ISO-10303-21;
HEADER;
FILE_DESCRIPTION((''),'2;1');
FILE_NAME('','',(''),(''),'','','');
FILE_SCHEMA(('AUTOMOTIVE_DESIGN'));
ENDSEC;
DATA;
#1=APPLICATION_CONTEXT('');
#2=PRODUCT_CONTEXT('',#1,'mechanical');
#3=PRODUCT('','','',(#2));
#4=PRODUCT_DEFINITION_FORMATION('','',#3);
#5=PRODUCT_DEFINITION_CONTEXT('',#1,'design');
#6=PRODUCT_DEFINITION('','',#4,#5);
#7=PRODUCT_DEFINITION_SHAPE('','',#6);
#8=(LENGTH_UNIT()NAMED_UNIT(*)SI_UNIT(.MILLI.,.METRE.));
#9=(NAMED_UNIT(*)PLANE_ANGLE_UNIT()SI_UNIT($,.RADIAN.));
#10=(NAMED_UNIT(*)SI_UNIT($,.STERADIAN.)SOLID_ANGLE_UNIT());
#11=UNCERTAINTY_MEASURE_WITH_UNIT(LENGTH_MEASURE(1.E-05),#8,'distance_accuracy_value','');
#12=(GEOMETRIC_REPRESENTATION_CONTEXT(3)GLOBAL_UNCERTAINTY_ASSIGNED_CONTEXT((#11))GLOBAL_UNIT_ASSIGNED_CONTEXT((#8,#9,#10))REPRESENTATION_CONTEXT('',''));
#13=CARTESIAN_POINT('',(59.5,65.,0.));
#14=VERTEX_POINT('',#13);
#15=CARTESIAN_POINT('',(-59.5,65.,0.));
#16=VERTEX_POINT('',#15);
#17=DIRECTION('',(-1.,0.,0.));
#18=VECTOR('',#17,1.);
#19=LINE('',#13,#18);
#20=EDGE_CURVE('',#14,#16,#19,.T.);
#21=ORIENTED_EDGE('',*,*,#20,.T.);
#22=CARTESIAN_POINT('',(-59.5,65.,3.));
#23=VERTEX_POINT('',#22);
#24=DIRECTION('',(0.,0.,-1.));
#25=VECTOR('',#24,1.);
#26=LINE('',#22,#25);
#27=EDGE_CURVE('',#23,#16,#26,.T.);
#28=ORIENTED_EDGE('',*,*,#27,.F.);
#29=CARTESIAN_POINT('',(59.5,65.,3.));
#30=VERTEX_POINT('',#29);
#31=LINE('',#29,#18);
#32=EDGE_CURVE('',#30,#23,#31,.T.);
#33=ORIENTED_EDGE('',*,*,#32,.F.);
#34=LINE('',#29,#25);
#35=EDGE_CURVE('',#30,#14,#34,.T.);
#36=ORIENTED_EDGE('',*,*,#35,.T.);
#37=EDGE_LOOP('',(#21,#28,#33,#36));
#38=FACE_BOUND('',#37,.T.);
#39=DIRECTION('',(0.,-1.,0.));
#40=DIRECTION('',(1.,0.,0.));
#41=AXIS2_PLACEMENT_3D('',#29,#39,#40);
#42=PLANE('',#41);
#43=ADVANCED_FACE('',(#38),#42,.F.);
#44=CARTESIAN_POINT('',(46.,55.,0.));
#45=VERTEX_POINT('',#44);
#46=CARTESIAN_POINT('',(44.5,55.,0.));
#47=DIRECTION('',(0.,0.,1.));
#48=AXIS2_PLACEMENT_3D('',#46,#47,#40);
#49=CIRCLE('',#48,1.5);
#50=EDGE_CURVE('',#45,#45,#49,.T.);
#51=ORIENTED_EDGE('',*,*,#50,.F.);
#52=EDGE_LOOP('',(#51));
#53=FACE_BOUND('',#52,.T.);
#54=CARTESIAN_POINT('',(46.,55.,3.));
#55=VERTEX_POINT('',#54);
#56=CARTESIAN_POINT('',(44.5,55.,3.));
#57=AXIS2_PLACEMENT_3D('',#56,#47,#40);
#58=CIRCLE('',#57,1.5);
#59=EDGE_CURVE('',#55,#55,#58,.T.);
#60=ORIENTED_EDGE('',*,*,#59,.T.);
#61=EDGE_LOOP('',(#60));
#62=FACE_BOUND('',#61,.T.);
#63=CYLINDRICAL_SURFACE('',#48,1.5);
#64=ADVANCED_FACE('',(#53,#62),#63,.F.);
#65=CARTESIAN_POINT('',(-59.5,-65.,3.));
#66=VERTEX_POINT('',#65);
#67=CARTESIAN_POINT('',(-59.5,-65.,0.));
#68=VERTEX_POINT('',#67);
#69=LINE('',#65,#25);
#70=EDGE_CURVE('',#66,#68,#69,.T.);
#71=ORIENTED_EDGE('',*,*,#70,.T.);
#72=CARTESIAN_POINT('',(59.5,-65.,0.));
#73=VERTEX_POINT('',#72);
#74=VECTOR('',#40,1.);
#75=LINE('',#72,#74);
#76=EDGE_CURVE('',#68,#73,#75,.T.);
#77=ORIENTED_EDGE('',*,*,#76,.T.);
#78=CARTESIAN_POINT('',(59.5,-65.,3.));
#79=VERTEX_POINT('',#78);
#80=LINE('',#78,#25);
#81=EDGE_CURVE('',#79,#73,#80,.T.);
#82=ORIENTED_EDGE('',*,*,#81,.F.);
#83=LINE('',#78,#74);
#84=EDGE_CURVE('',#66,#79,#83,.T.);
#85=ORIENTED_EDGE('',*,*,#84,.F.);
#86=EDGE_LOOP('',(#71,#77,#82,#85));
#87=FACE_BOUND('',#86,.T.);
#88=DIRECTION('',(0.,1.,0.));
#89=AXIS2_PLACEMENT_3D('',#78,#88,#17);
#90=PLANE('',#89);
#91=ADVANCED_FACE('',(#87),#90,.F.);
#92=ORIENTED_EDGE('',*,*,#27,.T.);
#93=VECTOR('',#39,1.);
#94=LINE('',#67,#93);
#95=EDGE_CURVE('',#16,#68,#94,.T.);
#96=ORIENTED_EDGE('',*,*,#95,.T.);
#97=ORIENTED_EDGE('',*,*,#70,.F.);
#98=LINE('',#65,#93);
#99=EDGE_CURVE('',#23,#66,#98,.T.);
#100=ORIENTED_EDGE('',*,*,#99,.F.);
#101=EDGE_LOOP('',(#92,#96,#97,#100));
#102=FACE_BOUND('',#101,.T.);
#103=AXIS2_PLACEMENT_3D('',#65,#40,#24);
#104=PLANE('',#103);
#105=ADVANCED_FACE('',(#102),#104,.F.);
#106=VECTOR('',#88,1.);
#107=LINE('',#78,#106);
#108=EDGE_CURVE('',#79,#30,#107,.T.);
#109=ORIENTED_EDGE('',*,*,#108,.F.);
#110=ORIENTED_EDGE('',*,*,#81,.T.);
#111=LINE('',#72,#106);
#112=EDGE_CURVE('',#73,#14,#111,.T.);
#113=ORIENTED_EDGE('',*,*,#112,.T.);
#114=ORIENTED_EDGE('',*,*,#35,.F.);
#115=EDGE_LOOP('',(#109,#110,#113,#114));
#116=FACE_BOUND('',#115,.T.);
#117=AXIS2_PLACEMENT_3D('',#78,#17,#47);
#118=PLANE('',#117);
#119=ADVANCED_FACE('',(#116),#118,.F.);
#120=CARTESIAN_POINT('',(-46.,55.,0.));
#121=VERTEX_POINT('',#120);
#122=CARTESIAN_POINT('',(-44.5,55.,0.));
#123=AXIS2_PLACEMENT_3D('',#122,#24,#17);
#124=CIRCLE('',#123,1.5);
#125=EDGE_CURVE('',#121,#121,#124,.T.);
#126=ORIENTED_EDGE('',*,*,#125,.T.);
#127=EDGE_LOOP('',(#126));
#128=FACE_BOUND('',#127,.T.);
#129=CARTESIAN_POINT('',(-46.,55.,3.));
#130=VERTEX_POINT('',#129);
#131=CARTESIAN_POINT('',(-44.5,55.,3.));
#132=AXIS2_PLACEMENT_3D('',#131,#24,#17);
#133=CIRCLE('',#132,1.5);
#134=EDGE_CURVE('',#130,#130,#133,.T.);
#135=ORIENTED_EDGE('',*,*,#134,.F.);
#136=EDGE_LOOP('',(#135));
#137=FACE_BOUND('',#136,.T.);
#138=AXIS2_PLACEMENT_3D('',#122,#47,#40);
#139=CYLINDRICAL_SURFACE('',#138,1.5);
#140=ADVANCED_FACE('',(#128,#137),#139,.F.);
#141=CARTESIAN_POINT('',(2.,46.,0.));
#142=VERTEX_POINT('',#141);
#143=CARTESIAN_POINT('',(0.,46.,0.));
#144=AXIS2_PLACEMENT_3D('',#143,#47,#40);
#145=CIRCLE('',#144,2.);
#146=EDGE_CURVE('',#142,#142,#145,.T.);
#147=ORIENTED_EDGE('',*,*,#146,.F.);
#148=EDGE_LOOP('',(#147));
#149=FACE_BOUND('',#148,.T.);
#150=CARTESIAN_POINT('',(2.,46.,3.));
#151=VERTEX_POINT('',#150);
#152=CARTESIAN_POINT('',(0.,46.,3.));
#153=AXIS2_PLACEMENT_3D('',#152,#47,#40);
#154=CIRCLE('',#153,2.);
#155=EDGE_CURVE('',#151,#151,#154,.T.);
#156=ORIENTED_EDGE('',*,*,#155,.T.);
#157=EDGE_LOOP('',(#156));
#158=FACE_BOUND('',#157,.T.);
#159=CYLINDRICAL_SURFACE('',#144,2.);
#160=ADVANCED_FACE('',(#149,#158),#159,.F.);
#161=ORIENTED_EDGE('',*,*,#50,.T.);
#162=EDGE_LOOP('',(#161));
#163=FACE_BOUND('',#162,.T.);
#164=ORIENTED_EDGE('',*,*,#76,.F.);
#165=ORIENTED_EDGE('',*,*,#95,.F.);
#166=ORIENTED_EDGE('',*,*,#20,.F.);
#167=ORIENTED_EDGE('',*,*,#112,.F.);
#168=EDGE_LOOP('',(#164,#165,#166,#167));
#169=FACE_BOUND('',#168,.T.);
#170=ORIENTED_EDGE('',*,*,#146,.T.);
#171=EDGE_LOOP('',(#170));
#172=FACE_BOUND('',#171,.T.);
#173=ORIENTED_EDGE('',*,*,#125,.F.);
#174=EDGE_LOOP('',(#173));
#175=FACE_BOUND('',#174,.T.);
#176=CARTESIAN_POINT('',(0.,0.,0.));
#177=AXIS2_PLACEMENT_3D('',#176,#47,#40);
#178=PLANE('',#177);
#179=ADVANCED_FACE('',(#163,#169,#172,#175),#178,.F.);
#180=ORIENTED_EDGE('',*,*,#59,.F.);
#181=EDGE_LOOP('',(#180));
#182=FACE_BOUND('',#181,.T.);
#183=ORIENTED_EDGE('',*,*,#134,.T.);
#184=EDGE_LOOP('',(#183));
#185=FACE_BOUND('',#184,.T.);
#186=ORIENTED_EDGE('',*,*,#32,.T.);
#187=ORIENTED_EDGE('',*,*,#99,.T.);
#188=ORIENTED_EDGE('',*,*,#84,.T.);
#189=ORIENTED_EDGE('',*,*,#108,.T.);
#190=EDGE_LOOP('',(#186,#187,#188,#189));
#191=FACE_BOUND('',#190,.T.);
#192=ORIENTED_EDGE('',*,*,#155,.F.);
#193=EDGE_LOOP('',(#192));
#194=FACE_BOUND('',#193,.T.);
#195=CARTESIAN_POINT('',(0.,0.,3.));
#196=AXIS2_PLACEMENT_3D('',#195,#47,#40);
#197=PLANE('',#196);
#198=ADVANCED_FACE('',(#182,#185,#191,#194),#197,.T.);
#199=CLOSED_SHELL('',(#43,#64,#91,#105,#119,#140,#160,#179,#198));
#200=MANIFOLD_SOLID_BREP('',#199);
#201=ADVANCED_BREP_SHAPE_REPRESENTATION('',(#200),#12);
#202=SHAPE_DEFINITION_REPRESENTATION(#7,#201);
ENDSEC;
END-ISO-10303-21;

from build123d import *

# Parameters (mm, degrees)
SKETCH_1_W          = 119
SKETCH_1_H          = 130
EXTRUDE_1_DEPTH     = 3
SKETCH_2_R          = 1.5
CUT_EXTRUDE_1_DEPTH = 89.17170748
SKETCH_4_R          = 2
CUT_EXTRUDE_2_DEPTH = 89.17170748


with BuildPart() as part:
    # 草图1 → 凸台-拉伸1 (new body)
    with BuildSketch(Plane.XY):
        Rectangle(SKETCH_1_W, SKETCH_1_H)
    extrude(amount=EXTRUDE_1_DEPTH)

    # 草图2 → 切除-拉伸1 (cut, through all)
    with BuildSketch(Plane.XY.offset(3)):
        with Locations((44.5, 55)):
            Circle(SKETCH_2_R)
        with Locations(Location((-44.5, 55, 0), (0, 0, 180))):
            Circle(SKETCH_2_R)
    extrude(amount=-CUT_EXTRUDE_1_DEPTH, mode=Mode.SUBTRACT)

    # 草图4 → 切除-拉伸2 (cut, through all)
    with BuildSketch(Plane.XY.offset(3)):
        with Locations((0, 46)):
            Circle(SKETCH_4_R)
    extrude(amount=-CUT_EXTRUDE_2_DEPTH, mode=Mode.SUBTRACT)


solid = part.part
